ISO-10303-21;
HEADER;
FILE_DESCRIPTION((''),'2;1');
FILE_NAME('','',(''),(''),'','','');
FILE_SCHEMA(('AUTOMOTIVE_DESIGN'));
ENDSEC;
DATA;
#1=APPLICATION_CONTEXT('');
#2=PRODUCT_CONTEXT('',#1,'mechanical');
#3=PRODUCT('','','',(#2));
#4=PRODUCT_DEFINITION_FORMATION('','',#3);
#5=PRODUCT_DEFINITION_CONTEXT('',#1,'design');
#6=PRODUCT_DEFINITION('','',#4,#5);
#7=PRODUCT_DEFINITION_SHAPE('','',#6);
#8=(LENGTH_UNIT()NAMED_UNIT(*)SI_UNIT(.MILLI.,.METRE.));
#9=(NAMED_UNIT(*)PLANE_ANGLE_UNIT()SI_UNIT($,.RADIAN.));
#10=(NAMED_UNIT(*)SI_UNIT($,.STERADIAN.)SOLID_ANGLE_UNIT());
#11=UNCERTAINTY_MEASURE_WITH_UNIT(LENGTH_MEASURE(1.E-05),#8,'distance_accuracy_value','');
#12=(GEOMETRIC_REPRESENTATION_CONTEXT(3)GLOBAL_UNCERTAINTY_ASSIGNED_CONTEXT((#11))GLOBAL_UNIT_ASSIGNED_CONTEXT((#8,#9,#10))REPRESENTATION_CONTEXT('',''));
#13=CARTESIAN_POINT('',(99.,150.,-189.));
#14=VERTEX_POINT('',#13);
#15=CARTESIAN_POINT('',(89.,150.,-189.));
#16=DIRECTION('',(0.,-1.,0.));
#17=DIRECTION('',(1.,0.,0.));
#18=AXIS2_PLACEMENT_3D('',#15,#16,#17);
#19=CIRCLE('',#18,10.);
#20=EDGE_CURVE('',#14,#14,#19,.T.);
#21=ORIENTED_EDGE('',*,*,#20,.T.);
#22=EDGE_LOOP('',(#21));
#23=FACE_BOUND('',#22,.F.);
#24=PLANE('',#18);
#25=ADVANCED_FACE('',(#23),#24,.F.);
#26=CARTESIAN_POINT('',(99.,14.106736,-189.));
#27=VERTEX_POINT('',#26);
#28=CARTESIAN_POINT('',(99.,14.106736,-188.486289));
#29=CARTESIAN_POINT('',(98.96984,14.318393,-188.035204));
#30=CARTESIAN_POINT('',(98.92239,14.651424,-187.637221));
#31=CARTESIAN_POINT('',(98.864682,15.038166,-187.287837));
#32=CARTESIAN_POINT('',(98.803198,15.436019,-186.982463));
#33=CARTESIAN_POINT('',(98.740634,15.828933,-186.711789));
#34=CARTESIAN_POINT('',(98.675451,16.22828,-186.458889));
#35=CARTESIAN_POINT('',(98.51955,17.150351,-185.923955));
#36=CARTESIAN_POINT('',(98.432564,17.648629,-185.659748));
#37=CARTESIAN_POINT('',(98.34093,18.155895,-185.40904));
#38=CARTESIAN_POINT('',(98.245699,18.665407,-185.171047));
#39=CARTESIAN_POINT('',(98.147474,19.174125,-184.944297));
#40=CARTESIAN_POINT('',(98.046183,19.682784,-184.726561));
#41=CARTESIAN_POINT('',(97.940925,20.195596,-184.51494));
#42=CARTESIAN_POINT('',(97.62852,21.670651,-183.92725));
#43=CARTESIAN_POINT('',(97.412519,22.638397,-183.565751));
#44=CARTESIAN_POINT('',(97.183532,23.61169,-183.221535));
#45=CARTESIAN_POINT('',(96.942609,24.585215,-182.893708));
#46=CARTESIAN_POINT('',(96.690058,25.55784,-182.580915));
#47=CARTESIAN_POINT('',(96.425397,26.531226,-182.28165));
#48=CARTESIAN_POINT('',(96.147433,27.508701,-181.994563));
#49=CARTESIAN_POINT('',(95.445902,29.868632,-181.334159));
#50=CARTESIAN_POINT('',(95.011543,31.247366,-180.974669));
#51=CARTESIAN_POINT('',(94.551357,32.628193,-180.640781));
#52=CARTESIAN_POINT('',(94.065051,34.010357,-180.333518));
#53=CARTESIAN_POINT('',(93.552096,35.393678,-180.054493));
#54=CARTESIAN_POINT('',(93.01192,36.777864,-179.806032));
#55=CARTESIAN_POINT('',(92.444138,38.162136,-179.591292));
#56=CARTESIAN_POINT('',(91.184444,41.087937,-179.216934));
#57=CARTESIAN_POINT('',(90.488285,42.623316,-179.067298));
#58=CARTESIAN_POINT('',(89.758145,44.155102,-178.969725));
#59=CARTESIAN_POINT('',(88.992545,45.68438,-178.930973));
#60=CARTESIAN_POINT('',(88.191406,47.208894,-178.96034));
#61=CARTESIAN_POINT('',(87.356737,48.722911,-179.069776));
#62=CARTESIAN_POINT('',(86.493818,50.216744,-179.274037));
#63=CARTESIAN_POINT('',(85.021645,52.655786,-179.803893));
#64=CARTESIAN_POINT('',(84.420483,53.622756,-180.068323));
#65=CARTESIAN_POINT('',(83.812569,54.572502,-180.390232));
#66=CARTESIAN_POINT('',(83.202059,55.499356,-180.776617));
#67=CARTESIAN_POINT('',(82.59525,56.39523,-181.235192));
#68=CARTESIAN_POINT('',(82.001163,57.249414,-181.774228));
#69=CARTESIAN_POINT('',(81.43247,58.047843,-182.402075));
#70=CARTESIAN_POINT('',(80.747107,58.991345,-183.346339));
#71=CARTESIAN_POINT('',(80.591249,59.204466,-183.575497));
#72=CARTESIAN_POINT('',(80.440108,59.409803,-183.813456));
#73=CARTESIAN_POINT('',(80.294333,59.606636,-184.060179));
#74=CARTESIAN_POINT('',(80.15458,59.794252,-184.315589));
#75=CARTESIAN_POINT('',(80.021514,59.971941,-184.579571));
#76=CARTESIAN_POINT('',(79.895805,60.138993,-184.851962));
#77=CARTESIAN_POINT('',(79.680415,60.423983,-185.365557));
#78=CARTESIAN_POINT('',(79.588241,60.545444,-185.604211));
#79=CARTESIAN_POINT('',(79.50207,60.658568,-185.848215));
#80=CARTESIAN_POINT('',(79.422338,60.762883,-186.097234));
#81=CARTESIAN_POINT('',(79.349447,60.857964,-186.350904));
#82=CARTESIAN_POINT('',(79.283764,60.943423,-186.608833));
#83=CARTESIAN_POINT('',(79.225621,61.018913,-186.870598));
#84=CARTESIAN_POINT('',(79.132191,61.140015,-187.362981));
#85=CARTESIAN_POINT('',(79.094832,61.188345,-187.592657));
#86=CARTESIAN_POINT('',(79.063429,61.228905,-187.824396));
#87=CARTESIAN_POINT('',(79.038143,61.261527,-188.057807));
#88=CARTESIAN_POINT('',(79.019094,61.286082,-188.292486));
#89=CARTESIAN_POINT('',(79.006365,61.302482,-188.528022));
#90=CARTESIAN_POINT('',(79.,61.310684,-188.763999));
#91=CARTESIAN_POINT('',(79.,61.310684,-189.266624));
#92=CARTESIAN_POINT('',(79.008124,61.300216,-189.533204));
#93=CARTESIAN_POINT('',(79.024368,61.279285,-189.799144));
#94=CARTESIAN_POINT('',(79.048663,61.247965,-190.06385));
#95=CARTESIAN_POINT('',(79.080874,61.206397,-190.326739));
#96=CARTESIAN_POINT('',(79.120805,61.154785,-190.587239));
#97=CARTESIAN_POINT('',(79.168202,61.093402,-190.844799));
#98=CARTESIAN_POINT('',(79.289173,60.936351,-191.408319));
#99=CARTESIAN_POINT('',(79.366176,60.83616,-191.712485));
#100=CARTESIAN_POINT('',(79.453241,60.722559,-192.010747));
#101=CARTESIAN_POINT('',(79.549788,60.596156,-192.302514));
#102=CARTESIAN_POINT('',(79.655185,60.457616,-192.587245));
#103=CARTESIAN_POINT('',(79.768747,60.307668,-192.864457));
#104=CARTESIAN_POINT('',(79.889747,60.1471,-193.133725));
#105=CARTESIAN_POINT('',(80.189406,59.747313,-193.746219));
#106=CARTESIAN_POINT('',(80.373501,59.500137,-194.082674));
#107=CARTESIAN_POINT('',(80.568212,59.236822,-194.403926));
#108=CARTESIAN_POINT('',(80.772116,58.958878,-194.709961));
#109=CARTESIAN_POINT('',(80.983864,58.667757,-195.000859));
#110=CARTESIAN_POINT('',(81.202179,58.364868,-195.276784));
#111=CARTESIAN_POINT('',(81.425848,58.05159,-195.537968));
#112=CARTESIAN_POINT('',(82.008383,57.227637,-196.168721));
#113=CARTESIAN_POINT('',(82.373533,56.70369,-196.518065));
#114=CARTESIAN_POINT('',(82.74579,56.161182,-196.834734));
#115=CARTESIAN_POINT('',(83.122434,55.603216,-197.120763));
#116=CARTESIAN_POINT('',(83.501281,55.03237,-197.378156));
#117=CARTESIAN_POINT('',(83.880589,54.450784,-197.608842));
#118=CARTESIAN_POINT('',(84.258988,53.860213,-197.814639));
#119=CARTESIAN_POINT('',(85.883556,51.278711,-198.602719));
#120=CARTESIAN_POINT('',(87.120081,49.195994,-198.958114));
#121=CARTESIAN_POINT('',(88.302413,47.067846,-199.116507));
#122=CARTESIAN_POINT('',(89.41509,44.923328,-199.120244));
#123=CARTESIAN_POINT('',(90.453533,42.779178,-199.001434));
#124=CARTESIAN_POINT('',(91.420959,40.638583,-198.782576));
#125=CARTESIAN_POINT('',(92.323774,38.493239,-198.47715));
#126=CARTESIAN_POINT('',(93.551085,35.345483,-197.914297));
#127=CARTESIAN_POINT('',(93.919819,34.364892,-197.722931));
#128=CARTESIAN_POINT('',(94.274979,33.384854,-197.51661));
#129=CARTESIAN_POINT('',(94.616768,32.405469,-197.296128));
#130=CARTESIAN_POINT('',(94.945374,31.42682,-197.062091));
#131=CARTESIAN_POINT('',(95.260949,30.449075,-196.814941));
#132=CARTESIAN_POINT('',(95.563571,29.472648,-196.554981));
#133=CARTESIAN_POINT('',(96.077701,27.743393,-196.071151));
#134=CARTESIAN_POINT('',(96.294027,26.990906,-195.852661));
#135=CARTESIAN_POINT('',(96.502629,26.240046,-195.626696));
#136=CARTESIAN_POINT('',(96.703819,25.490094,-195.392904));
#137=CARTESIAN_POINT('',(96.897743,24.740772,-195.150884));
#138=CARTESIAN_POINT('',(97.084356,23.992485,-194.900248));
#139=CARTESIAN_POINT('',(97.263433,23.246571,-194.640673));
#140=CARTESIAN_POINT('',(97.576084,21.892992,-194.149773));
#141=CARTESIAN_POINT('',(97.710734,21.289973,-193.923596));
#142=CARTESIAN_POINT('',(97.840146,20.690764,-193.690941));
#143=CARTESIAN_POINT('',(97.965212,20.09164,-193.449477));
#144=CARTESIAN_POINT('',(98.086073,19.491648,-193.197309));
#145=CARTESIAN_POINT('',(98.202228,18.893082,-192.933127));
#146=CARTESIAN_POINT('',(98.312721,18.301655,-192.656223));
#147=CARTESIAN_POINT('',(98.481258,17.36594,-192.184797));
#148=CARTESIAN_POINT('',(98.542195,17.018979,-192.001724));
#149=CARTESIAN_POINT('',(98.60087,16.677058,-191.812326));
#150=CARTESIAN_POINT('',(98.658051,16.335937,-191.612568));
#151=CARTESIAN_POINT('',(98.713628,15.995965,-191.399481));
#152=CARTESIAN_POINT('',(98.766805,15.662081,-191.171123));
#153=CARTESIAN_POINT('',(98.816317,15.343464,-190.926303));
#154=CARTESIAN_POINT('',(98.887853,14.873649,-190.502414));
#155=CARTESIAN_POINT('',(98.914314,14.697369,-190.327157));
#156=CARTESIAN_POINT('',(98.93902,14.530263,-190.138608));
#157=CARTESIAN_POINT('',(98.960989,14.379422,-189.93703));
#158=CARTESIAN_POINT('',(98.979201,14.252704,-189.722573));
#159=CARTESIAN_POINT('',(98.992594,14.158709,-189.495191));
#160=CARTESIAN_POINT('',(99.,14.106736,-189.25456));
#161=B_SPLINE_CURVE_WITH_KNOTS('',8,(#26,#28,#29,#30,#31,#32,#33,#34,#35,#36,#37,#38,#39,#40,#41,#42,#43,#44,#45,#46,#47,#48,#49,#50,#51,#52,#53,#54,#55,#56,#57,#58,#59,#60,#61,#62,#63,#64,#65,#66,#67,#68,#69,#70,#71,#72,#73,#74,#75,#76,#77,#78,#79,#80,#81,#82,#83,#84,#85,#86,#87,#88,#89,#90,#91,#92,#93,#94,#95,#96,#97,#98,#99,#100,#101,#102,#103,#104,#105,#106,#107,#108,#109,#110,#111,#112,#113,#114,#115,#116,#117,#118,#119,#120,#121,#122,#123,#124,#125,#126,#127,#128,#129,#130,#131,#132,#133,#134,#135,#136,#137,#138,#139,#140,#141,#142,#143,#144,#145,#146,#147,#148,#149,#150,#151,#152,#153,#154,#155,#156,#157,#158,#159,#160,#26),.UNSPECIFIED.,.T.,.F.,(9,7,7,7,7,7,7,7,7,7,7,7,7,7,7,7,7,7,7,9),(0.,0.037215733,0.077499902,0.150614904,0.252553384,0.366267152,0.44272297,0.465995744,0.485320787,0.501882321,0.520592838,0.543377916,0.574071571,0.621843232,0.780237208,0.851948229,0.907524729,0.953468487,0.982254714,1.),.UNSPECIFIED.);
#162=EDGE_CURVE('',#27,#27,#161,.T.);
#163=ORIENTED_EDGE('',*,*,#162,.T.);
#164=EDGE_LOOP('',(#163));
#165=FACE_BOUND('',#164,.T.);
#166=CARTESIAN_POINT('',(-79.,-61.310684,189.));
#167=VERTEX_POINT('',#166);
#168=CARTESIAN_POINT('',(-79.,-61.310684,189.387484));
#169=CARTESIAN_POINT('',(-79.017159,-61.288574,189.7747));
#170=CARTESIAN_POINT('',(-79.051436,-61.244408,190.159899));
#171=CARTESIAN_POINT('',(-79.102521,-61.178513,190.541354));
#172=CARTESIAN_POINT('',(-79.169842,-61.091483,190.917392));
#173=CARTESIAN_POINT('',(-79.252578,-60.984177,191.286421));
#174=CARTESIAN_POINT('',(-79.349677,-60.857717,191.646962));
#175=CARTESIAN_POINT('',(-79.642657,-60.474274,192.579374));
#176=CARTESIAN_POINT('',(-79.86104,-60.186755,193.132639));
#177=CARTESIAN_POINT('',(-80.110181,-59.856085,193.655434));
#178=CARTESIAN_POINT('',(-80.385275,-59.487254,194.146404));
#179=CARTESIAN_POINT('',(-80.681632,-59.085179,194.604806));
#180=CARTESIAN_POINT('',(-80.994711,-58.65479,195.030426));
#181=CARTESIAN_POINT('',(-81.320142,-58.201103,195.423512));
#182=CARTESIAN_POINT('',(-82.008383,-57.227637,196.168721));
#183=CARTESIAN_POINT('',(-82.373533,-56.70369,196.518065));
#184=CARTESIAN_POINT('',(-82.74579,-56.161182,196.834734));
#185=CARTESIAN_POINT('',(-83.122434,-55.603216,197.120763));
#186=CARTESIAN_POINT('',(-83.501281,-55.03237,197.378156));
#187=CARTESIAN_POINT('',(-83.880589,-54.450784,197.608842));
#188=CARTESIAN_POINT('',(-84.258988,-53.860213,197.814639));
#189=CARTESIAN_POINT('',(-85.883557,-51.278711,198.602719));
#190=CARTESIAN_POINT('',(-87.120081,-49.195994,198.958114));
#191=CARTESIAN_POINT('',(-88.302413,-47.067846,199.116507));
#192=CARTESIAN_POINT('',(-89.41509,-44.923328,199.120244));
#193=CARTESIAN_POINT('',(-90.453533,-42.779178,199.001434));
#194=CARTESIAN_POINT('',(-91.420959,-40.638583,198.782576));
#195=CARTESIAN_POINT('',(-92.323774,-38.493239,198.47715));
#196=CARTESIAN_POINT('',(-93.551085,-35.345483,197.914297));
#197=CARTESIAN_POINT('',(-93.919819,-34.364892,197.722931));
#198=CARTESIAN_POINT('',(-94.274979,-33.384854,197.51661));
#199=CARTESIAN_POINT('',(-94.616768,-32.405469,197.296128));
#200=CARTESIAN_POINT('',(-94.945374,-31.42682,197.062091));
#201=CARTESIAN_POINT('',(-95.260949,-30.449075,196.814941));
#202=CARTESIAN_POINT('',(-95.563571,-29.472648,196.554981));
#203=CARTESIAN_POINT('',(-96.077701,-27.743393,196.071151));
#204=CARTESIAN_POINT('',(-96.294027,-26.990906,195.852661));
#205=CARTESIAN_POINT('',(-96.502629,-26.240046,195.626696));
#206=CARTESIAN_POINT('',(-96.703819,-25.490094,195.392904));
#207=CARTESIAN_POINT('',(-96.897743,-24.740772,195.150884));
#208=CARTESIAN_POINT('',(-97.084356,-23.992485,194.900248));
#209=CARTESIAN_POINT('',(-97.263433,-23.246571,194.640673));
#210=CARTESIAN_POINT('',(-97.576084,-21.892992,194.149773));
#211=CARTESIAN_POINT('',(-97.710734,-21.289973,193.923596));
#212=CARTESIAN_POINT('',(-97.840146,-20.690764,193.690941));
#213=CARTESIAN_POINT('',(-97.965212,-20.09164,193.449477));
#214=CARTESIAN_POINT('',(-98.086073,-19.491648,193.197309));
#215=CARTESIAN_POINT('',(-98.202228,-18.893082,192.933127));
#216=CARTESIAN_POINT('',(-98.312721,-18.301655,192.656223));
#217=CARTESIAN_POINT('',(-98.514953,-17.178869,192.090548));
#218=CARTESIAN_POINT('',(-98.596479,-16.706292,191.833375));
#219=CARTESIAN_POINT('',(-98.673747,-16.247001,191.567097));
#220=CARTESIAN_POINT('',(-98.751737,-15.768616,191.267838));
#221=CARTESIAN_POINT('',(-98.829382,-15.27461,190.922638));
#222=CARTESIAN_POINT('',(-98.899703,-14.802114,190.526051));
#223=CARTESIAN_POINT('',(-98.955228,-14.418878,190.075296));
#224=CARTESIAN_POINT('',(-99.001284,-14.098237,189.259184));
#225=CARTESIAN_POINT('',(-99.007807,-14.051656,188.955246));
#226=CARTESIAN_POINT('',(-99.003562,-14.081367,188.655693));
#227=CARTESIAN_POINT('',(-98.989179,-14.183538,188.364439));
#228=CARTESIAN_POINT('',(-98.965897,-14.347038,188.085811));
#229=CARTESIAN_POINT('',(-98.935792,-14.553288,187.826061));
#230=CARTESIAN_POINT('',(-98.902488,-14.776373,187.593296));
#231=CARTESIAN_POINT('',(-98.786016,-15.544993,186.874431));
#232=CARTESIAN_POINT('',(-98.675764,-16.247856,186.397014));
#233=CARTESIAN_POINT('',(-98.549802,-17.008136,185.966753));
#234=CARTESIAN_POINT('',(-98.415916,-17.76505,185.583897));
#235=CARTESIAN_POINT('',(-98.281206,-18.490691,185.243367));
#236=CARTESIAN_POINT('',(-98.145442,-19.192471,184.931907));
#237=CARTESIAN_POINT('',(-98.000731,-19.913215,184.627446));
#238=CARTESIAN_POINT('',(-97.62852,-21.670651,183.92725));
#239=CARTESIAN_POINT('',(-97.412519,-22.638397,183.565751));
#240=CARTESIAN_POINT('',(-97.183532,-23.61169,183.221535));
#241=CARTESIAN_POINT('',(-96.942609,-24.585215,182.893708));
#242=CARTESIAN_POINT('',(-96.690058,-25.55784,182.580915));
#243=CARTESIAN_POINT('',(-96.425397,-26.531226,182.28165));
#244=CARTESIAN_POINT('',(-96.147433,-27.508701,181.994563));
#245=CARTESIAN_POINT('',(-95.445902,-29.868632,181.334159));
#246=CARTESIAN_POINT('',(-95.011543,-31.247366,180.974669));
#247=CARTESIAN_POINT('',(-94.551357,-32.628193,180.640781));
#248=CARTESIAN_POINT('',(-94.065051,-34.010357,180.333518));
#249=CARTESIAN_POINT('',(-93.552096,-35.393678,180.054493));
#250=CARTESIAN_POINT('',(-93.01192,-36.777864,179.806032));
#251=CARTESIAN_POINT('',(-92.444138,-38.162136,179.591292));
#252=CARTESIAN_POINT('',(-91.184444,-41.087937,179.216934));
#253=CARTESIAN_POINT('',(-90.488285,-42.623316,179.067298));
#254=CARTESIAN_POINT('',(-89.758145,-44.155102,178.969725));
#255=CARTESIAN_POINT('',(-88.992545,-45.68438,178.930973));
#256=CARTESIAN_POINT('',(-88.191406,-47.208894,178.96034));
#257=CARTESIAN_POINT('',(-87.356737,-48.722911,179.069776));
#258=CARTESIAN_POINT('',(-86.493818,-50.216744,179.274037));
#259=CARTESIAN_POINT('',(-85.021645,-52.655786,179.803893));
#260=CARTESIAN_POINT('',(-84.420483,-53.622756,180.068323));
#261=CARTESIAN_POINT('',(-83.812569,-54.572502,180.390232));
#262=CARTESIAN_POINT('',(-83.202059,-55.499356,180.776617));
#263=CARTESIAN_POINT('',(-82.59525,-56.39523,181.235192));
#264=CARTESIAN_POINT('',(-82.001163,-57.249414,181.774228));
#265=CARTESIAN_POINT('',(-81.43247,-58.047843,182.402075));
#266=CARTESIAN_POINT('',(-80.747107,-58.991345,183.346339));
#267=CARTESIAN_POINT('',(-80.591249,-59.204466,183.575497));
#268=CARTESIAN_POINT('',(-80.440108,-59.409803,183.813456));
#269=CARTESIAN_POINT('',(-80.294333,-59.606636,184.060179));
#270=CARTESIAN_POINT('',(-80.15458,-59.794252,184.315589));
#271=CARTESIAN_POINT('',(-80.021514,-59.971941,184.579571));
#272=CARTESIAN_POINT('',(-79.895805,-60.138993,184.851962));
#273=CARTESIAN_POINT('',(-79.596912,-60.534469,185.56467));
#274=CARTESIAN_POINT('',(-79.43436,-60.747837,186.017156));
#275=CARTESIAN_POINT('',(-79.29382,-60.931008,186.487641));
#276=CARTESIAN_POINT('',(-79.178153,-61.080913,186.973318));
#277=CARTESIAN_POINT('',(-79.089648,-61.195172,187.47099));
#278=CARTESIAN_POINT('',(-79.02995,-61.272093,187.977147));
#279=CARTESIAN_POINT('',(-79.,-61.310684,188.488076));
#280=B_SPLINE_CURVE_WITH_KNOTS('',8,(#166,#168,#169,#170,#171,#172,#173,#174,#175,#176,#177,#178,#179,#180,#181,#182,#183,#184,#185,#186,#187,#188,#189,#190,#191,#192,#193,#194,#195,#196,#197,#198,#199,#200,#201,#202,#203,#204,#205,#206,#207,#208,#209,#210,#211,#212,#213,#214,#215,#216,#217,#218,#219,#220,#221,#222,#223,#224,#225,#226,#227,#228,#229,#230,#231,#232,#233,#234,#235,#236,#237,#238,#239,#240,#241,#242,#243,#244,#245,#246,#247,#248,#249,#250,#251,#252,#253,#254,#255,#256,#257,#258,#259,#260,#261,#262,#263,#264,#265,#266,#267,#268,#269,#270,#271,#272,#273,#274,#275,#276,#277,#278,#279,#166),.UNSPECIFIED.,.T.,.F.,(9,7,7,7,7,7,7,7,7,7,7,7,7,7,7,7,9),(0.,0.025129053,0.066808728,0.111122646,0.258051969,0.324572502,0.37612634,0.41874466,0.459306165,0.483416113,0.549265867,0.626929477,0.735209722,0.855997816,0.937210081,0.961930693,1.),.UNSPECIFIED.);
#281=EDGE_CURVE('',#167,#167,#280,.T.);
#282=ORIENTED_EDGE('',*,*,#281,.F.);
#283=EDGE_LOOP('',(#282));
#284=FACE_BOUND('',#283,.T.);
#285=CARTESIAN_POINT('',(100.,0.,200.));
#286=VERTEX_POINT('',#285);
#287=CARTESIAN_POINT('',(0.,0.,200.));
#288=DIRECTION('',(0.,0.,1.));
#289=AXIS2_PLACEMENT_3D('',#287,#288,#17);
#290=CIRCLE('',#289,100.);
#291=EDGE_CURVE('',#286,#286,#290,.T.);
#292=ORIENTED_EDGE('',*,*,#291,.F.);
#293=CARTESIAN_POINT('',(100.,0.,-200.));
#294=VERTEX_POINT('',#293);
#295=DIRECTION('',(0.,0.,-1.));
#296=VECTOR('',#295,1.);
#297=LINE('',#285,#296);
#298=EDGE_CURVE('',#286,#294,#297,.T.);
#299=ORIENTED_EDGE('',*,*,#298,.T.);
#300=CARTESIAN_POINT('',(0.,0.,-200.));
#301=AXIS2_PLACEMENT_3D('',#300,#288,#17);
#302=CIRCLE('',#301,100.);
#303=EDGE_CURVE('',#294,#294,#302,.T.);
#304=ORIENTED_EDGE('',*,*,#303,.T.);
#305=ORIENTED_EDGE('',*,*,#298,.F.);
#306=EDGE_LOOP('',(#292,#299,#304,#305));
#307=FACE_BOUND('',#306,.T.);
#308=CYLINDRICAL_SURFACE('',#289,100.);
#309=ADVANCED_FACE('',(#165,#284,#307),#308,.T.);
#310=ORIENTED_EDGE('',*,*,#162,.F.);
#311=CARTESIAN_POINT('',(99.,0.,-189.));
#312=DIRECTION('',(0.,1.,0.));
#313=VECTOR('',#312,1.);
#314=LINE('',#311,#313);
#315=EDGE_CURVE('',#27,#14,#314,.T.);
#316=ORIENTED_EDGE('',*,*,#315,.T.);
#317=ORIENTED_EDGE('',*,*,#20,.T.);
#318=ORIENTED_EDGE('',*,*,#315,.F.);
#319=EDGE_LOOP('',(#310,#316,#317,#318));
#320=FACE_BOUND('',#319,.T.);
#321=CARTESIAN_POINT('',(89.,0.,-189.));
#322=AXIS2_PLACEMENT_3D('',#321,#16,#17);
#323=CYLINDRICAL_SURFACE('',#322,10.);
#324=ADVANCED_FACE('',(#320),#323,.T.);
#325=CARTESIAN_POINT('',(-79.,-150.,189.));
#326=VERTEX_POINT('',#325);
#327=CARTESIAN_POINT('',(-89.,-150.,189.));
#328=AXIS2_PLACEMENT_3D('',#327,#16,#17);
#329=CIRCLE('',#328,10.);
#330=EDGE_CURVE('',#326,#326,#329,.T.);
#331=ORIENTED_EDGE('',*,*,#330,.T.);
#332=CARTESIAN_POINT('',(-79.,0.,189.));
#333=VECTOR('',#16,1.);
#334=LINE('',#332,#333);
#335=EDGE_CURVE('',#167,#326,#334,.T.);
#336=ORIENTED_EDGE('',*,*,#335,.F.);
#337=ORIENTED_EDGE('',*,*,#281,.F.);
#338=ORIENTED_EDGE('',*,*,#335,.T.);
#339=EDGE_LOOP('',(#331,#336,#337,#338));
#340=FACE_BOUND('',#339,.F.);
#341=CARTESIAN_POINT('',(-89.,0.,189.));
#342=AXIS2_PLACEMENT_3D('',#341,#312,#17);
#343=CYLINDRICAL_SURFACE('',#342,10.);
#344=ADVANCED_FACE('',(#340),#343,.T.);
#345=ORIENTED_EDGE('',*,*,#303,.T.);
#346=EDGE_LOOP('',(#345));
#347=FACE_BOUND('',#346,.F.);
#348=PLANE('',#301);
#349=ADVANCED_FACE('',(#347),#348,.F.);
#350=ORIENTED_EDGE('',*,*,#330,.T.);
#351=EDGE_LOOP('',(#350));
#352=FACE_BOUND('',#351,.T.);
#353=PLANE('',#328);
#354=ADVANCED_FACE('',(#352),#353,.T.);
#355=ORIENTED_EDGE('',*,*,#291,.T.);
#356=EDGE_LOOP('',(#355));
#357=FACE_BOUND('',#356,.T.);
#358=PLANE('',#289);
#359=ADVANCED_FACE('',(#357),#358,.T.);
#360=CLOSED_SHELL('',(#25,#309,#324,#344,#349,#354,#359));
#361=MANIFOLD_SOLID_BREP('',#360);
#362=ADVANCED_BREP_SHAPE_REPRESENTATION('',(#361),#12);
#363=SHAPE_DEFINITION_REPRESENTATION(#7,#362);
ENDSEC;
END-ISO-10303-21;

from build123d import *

# Parameters (mm, degrees)
F1_R     = 100
F2_DEPTH = 400
F3_R     = 10
F4_DEPTH = 150
F5_R     = 10
F6_DEPTH = 150


with BuildPart() as f2:
    # F1 (on offset) → F2 (new body)
    with BuildSketch(Plane.XY.offset(200)):
        Circle(F1_R)
    extrude(amount=-F2_DEPTH)

    # F3 (on Front) → F4 (join)
    with BuildSketch(Plane.XZ):
        with Locations((-89, 189)):
            Circle(F3_R)
    extrude(amount=F4_DEPTH)

    # F5 (on Front) → F6 (join)
    with BuildSketch(Plane.XZ):
        with Locations((89, -189)):
            Circle(F5_R)
    extrude(amount=-F6_DEPTH)


solid = f2.part
